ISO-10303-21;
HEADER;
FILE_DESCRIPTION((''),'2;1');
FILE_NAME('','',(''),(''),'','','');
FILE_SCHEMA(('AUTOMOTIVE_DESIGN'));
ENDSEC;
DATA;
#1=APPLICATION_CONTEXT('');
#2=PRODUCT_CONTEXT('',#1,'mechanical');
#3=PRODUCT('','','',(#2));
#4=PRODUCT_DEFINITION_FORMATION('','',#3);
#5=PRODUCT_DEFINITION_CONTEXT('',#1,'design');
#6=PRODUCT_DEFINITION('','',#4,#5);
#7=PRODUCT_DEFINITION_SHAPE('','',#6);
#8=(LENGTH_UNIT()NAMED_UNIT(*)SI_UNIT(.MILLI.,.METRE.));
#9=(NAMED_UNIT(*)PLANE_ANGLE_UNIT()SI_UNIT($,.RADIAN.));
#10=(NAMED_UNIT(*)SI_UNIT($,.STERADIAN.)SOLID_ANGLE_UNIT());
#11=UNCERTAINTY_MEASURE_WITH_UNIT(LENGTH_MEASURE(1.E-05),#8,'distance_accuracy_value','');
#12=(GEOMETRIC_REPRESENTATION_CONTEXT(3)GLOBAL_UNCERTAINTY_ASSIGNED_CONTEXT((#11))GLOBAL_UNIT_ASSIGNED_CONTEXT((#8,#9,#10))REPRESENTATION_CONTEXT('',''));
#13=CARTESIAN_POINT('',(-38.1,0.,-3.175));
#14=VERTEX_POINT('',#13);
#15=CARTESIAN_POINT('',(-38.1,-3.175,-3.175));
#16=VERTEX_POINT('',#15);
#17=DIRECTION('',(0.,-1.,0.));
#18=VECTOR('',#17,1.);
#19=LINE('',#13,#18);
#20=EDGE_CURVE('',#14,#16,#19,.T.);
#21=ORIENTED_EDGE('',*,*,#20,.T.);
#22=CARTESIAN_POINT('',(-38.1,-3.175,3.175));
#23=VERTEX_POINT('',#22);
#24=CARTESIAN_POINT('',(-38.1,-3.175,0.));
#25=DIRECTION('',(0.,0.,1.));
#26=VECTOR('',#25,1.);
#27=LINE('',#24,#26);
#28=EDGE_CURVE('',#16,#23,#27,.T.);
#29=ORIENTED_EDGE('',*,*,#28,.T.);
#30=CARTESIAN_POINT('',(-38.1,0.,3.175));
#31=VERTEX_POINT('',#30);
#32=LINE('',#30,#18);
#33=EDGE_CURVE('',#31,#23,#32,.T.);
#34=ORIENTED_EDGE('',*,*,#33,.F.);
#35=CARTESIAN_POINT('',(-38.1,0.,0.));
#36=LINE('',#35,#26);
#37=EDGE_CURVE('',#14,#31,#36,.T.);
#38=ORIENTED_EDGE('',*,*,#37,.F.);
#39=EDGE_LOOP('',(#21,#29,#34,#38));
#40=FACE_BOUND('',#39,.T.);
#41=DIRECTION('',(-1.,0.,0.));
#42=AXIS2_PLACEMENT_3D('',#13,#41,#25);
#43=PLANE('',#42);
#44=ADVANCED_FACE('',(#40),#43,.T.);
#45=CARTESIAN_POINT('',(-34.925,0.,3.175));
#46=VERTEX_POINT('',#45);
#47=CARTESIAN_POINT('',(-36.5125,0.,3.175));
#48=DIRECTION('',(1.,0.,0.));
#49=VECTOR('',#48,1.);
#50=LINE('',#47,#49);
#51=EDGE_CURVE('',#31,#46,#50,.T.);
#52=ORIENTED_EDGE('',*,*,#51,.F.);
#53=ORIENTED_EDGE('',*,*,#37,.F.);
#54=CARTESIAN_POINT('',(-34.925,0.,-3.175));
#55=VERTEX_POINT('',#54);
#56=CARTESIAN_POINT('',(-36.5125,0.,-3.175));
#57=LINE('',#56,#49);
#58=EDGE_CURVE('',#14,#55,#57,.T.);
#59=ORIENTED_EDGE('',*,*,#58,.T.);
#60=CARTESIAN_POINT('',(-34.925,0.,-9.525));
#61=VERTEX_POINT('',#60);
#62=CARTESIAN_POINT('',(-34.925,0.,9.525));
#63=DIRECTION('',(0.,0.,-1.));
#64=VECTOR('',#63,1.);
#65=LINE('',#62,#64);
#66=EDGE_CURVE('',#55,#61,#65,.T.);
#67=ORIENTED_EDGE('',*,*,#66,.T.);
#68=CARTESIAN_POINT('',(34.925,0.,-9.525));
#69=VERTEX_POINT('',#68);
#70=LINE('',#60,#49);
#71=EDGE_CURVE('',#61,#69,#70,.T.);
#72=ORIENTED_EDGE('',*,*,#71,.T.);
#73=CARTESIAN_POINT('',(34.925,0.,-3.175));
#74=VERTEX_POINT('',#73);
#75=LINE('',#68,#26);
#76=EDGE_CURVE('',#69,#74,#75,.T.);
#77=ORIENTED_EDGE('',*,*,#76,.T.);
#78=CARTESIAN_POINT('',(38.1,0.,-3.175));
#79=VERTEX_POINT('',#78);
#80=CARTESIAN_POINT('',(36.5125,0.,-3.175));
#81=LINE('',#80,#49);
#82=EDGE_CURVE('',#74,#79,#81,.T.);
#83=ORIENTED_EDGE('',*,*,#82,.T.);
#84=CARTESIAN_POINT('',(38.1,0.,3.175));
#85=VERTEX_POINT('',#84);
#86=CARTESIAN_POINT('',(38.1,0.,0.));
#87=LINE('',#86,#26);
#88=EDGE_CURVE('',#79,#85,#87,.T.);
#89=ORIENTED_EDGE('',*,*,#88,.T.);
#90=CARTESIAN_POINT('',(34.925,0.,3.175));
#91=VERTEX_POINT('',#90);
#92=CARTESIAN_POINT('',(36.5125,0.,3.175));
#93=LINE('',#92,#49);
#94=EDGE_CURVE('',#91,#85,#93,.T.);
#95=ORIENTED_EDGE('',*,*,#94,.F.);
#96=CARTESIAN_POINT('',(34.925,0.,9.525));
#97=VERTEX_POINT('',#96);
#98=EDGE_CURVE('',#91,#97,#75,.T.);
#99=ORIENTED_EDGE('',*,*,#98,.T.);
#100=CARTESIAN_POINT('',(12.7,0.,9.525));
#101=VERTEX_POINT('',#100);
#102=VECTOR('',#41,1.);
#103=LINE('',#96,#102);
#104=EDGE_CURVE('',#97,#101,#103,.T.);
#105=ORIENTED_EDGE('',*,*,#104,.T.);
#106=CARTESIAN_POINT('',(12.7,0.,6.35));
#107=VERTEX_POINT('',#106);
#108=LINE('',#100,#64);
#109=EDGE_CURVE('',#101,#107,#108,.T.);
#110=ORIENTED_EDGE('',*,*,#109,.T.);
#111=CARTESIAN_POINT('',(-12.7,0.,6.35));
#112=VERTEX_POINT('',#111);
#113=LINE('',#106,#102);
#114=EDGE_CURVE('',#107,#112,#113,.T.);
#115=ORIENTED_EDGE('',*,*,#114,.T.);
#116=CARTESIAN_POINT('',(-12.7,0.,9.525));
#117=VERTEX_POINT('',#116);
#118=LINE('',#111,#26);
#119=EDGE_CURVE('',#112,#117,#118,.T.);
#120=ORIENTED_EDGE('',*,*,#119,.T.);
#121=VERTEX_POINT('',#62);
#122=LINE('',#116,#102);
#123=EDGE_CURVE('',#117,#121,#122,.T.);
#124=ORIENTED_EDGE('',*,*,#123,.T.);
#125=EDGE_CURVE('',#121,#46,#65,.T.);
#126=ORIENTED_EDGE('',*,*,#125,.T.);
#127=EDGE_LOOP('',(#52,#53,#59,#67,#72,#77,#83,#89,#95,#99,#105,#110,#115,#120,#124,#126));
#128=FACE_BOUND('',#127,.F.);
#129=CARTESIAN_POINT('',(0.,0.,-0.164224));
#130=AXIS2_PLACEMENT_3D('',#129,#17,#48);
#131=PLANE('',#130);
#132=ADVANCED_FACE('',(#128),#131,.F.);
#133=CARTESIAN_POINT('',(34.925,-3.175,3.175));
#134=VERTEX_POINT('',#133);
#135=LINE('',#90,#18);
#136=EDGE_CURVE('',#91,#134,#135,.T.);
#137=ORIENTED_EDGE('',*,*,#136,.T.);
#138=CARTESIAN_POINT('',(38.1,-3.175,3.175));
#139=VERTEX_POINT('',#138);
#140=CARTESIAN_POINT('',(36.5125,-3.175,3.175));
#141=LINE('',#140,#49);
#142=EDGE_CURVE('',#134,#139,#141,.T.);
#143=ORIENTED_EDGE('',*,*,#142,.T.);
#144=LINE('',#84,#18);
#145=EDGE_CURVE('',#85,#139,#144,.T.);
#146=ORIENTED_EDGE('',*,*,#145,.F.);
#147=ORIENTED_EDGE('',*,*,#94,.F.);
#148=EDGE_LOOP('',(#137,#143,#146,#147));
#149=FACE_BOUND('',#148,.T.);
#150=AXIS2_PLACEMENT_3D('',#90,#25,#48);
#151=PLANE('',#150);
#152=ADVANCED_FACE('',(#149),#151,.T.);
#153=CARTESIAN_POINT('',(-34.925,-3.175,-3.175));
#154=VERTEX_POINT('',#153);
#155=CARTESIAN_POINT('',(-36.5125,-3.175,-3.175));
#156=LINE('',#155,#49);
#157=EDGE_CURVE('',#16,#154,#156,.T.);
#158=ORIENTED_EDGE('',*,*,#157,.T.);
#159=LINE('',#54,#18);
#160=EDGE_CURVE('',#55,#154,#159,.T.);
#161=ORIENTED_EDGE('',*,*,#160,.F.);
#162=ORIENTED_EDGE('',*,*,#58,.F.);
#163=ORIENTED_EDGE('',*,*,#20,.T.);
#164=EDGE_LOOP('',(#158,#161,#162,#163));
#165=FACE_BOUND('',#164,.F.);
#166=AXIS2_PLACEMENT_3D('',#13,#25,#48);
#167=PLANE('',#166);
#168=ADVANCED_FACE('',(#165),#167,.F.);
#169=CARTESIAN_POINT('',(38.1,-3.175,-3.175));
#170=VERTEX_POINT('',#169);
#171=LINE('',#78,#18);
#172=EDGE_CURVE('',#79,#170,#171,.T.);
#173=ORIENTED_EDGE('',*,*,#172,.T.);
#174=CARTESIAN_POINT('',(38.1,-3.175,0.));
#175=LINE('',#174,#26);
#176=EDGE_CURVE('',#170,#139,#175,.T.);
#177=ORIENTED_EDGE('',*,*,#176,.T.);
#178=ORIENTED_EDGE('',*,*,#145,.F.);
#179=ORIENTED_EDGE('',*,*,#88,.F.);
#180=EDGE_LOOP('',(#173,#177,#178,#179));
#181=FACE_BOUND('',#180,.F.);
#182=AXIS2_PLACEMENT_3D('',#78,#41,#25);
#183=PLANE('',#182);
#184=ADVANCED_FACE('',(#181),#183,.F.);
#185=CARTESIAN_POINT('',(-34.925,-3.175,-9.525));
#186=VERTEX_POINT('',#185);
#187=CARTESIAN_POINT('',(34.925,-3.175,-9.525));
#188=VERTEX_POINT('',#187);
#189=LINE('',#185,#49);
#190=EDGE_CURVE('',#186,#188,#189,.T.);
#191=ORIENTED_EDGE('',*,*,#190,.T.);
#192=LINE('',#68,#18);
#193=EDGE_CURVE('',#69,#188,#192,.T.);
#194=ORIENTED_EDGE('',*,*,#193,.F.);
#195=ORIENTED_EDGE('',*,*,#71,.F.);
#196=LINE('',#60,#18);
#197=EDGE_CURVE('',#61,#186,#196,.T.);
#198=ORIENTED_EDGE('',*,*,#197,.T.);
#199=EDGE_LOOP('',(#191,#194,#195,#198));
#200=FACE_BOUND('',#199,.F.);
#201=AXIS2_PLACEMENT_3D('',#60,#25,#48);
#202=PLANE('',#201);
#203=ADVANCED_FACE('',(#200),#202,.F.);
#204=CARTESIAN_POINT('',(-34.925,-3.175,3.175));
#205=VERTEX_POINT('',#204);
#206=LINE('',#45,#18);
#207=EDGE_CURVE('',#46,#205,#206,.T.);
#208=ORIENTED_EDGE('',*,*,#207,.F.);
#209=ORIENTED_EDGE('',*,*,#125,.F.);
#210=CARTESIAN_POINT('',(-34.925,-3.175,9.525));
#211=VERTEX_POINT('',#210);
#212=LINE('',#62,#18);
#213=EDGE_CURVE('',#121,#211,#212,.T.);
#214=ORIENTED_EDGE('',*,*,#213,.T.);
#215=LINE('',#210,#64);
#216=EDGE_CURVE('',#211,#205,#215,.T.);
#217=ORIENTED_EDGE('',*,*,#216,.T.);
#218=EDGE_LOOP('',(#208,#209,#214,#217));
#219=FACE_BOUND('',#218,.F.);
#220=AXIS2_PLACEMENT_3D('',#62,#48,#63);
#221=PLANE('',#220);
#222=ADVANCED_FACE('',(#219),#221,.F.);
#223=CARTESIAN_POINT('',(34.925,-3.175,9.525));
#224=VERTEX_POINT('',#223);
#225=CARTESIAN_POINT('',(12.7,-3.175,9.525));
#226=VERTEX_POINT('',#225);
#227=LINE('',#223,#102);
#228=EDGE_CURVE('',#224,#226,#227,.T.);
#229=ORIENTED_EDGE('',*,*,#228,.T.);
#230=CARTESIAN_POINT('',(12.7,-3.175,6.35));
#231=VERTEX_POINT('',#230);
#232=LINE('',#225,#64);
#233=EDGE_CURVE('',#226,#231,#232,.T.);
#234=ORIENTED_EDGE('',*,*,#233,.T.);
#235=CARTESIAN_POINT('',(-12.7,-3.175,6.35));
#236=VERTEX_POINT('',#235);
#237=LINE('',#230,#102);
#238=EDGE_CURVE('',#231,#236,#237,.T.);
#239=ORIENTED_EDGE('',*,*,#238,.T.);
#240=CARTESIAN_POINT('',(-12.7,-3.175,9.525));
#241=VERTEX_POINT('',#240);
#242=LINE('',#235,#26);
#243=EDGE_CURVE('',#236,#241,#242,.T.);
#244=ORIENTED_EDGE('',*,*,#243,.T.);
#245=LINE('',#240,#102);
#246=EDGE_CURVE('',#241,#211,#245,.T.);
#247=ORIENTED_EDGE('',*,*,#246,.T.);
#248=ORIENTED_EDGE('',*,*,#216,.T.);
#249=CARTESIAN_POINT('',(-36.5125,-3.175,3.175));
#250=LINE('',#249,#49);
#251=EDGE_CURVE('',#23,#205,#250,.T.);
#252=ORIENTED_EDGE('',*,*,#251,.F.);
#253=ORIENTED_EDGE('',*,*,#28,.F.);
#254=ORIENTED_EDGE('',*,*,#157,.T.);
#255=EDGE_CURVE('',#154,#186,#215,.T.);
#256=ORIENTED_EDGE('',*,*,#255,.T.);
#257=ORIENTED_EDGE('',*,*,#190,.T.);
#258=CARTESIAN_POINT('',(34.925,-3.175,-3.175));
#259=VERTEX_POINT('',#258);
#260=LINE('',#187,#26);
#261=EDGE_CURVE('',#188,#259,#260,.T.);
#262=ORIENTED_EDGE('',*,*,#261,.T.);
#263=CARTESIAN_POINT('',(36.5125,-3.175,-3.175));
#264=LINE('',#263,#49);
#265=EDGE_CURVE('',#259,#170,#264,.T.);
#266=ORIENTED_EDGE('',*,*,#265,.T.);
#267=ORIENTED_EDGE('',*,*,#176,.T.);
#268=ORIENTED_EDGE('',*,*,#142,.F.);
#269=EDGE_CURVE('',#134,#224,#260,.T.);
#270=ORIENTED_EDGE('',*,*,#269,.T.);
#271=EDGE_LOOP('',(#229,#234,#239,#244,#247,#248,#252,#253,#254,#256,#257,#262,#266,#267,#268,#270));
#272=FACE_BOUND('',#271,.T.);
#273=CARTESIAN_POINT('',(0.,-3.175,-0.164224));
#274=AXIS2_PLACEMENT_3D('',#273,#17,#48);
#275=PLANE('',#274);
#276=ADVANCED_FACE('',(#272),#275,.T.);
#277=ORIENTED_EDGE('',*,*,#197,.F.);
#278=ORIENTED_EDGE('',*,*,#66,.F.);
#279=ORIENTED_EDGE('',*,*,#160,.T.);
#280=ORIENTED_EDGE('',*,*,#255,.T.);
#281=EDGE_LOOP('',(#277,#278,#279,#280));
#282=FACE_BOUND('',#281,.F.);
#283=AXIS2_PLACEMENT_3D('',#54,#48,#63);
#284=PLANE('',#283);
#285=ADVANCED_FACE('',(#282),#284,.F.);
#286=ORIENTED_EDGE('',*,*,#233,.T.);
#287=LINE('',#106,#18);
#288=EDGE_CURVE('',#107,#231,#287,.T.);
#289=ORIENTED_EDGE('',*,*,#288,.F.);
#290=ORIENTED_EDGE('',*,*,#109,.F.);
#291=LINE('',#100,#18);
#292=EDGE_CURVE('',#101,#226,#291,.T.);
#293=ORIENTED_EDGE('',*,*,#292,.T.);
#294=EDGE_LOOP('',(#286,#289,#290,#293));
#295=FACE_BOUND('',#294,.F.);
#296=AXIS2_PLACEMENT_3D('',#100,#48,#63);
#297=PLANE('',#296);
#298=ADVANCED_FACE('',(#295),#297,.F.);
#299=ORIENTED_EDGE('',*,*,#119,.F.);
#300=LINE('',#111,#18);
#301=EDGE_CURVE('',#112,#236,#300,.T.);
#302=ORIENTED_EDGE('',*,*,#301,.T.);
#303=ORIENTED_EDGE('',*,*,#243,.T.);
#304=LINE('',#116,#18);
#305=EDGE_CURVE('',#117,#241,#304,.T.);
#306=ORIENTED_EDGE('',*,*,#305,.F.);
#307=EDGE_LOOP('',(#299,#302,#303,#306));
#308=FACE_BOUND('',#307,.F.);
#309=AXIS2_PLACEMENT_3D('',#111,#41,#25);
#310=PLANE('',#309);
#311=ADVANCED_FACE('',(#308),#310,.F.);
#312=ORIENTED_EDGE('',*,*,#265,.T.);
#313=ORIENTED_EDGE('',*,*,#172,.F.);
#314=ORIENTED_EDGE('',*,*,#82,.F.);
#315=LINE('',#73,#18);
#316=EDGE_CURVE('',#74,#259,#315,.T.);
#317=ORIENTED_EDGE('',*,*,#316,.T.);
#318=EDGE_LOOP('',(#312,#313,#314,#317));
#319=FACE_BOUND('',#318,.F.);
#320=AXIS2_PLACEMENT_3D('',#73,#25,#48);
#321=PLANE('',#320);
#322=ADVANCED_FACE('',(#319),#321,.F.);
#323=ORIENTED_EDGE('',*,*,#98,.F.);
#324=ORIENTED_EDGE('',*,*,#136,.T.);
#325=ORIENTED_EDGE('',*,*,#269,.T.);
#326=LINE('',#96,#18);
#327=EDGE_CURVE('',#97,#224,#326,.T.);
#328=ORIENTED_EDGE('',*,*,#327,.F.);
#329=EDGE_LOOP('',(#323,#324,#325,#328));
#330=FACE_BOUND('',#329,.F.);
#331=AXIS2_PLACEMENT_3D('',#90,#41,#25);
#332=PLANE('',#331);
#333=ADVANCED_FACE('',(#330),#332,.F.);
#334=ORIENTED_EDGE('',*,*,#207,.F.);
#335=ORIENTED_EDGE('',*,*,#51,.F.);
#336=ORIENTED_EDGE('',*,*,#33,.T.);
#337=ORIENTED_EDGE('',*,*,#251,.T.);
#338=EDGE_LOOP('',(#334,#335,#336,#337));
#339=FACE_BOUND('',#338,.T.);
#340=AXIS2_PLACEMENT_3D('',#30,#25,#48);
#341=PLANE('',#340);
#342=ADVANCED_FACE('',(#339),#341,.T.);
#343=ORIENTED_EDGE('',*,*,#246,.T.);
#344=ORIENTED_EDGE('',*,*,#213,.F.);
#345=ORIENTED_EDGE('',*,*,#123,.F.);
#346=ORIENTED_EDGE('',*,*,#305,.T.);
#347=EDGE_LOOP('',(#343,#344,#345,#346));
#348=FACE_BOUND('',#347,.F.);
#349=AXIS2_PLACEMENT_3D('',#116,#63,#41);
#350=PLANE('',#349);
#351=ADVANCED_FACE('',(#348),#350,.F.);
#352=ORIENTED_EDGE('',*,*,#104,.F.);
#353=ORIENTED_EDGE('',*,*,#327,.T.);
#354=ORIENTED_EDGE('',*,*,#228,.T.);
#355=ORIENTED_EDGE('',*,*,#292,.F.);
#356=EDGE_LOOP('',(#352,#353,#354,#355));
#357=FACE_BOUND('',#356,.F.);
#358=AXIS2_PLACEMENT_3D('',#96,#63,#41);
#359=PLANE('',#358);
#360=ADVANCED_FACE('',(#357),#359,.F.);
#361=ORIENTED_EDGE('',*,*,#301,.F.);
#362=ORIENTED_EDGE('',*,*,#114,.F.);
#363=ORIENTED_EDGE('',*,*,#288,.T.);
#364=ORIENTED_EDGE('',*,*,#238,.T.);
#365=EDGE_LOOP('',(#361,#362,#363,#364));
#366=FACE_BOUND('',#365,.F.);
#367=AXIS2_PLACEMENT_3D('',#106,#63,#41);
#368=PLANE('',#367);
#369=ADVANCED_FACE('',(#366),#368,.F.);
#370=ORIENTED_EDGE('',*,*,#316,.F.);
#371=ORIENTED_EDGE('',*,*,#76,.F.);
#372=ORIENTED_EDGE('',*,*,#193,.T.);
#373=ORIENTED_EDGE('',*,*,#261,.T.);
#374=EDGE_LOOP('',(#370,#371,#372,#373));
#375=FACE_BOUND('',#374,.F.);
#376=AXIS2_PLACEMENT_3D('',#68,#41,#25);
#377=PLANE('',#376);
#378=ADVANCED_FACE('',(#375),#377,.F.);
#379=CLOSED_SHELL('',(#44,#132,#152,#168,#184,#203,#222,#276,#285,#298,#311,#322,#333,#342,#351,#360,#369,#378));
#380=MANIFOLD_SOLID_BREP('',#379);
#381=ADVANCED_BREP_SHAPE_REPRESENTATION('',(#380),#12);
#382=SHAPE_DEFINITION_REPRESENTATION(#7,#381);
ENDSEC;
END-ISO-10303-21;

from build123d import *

# Parameters (mm, degrees)
F0_W     = 3.175
F0_H     = 6.35
F1_DEPTH = 3.175


with BuildPart() as f1:
    # F0 (on Front) → F1 (new body)
    with BuildSketch(Plane.XZ):
        Polygon((-34.925, -9.525), (34.925, -9.525), (34.925, -3.175), (34.925, 3.175), (34.925, 9.525), (12.7, 9.525), (12.7, 6.35), (-12.7, 6.35), (-12.7, 9.525), (-34.925, 9.525), (-34.925, 3.175), (-34.925, -3.175), align=None)
        with Locations((-36.5125, 0)):
            Rectangle(F0_W, F0_H)
        with Locations((36.5125, 0)):
            Rectangle(F0_W, F0_H)
    extrude(amount=F1_DEPTH)


solid = f1.part
